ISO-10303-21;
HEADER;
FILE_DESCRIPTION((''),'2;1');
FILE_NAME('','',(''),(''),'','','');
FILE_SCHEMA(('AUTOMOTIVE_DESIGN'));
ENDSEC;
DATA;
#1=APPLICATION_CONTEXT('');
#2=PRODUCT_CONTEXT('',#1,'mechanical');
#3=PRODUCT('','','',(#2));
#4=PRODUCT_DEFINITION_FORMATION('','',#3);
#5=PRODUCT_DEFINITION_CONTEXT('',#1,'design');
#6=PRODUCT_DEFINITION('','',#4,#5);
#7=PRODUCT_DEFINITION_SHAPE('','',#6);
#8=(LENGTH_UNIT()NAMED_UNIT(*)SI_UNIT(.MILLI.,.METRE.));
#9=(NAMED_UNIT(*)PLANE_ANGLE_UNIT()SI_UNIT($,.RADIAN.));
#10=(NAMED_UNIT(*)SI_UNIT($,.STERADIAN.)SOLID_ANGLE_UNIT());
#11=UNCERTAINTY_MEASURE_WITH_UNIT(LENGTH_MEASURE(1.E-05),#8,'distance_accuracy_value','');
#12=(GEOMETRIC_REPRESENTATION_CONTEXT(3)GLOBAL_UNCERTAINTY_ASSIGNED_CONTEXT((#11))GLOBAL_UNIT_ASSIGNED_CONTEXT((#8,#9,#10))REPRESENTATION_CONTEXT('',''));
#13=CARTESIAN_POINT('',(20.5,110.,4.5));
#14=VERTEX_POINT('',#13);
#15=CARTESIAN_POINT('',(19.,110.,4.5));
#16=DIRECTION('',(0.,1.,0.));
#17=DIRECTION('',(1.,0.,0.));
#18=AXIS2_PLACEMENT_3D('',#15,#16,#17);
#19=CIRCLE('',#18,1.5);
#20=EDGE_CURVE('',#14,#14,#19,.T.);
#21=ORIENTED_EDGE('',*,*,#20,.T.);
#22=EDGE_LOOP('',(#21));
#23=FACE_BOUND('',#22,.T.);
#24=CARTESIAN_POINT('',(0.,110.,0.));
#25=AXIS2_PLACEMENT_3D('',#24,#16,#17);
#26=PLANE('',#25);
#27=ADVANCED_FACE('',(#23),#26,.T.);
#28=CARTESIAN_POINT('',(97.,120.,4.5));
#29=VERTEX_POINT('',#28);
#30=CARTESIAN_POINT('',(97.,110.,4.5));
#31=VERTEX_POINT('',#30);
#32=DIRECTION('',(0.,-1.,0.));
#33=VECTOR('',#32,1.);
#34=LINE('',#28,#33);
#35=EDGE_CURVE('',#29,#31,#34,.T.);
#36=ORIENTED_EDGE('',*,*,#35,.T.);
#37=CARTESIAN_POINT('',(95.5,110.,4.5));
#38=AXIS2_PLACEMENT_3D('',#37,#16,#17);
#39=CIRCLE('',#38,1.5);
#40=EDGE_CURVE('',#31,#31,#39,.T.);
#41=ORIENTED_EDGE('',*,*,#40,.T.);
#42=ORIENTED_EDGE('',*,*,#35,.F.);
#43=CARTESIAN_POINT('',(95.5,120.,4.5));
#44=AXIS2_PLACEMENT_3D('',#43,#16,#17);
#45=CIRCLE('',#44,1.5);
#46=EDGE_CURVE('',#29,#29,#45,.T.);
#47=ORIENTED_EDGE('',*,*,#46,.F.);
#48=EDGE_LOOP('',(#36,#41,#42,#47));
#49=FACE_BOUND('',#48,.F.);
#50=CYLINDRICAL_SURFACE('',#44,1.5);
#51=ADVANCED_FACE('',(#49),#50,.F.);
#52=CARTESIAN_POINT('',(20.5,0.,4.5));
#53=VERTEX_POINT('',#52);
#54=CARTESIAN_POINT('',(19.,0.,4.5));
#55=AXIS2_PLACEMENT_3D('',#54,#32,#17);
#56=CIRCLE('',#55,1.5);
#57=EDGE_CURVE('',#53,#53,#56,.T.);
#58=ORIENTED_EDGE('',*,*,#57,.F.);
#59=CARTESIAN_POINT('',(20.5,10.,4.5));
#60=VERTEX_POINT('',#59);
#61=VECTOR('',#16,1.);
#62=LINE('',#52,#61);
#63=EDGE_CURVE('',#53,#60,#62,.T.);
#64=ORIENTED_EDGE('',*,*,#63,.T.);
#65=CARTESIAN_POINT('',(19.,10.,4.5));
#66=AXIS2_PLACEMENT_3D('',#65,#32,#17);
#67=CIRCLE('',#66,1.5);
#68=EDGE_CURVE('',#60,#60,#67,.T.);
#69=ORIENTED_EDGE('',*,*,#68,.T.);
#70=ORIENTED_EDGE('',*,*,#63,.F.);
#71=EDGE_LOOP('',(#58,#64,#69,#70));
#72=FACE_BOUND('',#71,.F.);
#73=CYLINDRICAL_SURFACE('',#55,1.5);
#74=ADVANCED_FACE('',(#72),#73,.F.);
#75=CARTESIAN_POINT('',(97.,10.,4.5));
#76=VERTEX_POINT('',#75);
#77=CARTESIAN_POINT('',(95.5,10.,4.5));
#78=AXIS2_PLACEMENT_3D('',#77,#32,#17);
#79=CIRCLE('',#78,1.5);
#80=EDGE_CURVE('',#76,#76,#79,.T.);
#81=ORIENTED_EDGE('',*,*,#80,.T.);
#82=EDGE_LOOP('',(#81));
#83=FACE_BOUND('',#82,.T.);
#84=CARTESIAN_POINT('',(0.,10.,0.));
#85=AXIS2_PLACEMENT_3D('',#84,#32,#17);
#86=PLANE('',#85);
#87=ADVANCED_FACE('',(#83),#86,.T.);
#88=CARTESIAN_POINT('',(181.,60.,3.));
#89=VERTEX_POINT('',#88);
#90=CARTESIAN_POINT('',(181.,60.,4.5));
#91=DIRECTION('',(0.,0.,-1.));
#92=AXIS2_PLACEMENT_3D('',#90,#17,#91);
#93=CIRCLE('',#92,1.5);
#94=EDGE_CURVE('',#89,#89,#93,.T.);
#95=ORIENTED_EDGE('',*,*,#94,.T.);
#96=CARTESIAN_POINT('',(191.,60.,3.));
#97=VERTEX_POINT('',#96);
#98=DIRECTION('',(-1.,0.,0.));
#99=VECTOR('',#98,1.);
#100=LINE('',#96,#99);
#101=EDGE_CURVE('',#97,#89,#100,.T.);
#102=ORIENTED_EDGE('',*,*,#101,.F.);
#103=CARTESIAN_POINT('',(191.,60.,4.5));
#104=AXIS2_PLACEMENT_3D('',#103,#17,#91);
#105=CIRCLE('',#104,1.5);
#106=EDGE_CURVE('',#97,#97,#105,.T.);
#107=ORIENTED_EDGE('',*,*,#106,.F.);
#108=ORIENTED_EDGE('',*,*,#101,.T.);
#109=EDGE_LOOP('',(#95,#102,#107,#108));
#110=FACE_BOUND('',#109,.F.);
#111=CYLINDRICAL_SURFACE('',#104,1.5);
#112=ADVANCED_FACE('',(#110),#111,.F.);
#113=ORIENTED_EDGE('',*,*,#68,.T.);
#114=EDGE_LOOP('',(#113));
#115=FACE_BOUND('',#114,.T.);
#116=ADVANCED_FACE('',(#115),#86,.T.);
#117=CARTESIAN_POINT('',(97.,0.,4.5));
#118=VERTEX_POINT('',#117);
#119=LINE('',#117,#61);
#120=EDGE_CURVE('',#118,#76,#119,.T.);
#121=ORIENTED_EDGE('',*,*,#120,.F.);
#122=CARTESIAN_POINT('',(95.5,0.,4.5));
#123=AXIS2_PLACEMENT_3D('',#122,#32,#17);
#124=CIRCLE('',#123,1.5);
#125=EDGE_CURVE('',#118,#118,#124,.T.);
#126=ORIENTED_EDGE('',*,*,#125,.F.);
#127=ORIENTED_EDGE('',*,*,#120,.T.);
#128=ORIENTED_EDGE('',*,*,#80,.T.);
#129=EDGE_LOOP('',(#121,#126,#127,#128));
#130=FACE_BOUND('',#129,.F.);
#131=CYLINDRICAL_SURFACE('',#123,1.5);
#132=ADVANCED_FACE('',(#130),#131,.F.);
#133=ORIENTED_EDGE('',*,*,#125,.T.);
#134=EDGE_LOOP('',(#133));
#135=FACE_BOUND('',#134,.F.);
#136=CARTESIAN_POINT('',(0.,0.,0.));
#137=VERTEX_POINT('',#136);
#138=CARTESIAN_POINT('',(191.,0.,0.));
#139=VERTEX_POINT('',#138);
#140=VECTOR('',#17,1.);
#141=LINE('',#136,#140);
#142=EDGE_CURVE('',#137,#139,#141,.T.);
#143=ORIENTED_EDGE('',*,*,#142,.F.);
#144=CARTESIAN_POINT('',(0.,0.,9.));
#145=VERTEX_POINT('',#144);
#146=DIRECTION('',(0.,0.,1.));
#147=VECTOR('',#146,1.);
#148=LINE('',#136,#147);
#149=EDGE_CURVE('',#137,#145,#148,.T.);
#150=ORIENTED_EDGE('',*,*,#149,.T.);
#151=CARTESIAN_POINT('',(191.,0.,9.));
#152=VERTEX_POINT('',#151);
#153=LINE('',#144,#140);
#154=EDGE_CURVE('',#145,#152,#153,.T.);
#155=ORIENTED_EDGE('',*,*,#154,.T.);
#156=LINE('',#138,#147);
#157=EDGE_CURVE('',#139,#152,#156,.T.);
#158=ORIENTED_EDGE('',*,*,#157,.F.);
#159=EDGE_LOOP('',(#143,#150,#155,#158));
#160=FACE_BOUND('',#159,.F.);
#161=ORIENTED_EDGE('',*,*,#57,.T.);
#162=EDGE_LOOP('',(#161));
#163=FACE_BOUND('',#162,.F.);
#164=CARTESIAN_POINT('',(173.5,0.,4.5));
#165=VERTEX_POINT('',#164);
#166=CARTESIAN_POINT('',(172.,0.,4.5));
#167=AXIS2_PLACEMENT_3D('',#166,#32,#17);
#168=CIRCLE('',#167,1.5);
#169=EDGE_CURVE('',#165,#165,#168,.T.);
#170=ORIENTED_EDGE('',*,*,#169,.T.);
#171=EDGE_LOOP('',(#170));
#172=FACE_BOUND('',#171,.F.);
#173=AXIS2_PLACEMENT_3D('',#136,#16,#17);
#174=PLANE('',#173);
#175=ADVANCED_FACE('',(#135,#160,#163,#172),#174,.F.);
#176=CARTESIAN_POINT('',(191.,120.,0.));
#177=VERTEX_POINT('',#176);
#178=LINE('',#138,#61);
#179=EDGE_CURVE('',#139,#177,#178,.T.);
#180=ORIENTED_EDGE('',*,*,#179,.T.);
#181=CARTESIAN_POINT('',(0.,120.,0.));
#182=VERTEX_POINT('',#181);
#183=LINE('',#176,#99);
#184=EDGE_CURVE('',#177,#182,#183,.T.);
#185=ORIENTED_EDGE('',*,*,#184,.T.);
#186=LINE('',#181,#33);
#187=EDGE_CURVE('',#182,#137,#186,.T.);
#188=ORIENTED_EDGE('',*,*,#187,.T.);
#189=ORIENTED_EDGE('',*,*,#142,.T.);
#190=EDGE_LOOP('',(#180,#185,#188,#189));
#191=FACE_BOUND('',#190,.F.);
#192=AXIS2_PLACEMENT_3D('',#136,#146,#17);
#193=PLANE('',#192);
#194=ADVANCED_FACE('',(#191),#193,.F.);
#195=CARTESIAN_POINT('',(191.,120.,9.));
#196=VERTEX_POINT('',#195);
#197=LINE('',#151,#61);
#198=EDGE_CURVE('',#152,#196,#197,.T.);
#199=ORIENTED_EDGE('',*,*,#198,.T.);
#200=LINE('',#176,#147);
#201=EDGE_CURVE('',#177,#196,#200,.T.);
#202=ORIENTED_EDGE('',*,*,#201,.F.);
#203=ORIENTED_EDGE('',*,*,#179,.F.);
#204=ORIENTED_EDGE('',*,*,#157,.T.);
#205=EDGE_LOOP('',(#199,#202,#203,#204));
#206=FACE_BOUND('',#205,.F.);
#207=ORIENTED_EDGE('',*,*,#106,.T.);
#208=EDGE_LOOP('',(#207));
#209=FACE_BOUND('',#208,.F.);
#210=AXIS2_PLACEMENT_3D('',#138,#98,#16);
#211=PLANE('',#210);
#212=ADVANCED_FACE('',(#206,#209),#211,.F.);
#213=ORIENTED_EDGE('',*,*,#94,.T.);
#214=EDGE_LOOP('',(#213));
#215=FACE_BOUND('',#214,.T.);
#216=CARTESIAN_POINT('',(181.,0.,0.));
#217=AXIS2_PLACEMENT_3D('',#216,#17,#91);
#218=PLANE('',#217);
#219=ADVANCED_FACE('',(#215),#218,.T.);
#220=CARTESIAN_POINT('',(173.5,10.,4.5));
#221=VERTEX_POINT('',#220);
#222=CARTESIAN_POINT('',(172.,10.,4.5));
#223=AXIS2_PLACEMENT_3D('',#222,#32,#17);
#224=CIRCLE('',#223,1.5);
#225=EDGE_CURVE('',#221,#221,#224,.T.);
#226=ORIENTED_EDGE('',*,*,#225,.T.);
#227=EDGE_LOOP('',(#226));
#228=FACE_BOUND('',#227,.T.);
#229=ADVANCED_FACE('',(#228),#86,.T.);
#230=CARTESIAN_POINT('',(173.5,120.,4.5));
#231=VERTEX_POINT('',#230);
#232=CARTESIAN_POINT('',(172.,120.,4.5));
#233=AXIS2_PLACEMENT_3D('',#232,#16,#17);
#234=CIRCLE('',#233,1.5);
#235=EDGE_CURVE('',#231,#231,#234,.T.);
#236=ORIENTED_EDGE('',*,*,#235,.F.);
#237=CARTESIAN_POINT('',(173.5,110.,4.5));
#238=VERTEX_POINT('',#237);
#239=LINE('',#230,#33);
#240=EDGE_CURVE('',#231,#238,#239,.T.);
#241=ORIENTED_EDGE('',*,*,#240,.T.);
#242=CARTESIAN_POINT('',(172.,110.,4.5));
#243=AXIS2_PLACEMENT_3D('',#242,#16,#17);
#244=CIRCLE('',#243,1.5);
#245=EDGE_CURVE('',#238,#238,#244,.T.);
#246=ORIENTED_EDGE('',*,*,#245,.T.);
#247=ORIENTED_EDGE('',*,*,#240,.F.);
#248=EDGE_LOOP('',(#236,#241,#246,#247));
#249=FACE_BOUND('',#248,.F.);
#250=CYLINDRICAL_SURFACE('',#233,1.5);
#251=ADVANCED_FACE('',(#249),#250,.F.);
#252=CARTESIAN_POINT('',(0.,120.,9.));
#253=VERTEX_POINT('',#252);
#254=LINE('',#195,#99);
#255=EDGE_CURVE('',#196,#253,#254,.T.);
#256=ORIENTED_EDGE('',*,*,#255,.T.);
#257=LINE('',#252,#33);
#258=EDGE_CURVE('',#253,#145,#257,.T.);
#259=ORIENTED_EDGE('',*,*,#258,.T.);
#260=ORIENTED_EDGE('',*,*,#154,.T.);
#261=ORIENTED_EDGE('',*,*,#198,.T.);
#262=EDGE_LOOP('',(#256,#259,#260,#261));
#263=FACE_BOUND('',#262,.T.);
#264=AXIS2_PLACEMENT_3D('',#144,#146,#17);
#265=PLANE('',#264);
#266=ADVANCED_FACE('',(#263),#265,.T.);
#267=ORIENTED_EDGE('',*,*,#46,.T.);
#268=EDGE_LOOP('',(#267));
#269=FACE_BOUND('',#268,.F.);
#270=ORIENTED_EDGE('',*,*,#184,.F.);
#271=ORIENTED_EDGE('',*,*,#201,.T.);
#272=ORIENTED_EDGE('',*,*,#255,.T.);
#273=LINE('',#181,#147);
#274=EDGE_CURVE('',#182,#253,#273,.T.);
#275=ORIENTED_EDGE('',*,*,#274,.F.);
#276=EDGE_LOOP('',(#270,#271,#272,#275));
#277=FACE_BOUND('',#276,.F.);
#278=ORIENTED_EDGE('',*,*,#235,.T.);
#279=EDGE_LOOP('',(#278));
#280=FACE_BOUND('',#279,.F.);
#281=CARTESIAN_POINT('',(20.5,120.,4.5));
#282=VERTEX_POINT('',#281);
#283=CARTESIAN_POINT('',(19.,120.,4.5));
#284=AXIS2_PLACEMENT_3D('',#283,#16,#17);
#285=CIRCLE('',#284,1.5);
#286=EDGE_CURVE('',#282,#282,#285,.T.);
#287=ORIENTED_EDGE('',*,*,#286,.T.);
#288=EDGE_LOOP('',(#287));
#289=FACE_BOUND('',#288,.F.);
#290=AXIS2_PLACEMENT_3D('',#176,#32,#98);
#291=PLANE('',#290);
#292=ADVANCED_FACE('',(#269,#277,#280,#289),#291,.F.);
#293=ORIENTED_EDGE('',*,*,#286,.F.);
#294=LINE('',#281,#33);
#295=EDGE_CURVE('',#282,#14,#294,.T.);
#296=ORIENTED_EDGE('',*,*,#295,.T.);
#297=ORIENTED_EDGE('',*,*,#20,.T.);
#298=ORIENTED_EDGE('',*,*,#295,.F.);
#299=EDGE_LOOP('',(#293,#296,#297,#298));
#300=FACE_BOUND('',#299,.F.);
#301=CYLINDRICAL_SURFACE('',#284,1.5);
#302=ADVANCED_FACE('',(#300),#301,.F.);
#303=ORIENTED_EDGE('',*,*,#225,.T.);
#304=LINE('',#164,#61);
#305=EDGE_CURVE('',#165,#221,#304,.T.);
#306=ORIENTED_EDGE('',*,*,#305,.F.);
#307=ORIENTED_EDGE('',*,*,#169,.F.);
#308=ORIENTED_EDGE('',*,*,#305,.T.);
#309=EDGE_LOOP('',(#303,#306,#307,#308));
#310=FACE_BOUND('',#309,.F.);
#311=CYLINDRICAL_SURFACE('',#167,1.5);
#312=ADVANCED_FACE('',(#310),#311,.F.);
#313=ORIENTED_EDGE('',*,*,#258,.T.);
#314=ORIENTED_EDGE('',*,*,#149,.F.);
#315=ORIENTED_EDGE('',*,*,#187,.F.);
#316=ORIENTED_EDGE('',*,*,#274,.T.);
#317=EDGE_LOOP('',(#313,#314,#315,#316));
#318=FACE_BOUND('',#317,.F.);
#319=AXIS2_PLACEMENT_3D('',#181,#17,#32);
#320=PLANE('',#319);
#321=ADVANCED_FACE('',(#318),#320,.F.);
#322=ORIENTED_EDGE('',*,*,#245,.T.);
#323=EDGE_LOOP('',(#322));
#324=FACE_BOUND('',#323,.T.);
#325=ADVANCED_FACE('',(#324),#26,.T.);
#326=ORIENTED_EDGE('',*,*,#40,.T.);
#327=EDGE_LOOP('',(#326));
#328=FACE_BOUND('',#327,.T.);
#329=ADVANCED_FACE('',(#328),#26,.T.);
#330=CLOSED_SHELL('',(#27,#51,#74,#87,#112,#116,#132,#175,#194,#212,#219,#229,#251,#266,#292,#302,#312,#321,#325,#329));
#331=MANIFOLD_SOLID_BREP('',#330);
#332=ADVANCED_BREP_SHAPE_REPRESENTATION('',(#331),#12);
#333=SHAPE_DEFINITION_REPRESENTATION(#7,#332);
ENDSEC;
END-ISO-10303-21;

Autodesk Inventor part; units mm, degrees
ref_plane "YZ Plane" through (0, 0, 0) normal (1, 0, 0) x (0, 1, 0)
ref_plane "XZ Plane" through (0, 0, 0) normal (0, 1, 0) x (-1, 0, 0)
ref_plane "XY Plane" through (0, 0, 0) normal (0, 0, 1) x (1, 0, 0)
sketch "Sketch1" plane through (0, 0, 0) normal (0, 0, 1) x (1, 0, 0)
  line L0 (0, 0) -> (191, 0)
  line L1 (191, 0) -> (191, 120)
  line L2 (191, 120) -> (0, 120)
  line L3 (0, 120) -> (0, 0)
  dimension "d0" = 191
  dimension "d1" = 120
extrude "Extrusion1" add sketch "Sketch1" along normal blind 9
sketch "Sketch2" plane through (0, 120, 0) normal (0, 1, 0) x (1, 0, 0)
  line L0 (191, 0) -> (0, 0) projected
  line L1 (0, 0) -> (0, -9) projected
  line L2 (191, -9) -> (0, -9) projected
  line L3 (191, 0) -> (191, -9) projected
  circle A0 centre (19, -4.5) radius 1.5
  circle A1 centre (95.5, -4.5) radius 1.5
  circle A2 centre (172, -4.5) radius 1.5
  point P0 (0, 0)
  dimension "d4" = 3
  dimension "d5" = 3
  dimension "d6" = 3
  dimension "d18" = 76.5
extrude "Extrusion2" cut sketch "Sketch2" against normal blind 10 contours A0 | A1 | A2
sketch "Sketch3" plane through (0, 0, 0) normal (0, -1, 0) x (1, 0, 0)
  circle A0 centre (19, 4.5) radius 1.5 projected
  circle A1 centre (172, 4.5) radius 1.5 projected
  circle A2 centre (95.5, 4.5) radius 1.5
  line L0 (191, 0) -> (191, 9) projected
  point P0 (0, 0)
  dimension "d15" = 3
  dimension "d17" = 76.5
extrude "Extrusion3" cut sketch "Sketch3" against normal blind 10
sketch "Sketch4" plane through (191, 0, 0) normal (1, 0, 0) x (0, 0, -1)
  line L0 (0, 0) -> (0, 120) projected
  line L1 (0, 120) -> (-9, 120) projected
  line L2 (-9, 0) -> (-9, 120) projected
  line L3 (0, 0) -> (-9, 0) projected
  circle A0 centre (-4.5, 60) radius 1.5
  point P0 (0, 0)
  dimension "d11" = 3
extrude "Extrusion4" cut sketch "Sketch4" against normal blind 10 contours A0
properties part number "Lateral1-2_3DPrint"
